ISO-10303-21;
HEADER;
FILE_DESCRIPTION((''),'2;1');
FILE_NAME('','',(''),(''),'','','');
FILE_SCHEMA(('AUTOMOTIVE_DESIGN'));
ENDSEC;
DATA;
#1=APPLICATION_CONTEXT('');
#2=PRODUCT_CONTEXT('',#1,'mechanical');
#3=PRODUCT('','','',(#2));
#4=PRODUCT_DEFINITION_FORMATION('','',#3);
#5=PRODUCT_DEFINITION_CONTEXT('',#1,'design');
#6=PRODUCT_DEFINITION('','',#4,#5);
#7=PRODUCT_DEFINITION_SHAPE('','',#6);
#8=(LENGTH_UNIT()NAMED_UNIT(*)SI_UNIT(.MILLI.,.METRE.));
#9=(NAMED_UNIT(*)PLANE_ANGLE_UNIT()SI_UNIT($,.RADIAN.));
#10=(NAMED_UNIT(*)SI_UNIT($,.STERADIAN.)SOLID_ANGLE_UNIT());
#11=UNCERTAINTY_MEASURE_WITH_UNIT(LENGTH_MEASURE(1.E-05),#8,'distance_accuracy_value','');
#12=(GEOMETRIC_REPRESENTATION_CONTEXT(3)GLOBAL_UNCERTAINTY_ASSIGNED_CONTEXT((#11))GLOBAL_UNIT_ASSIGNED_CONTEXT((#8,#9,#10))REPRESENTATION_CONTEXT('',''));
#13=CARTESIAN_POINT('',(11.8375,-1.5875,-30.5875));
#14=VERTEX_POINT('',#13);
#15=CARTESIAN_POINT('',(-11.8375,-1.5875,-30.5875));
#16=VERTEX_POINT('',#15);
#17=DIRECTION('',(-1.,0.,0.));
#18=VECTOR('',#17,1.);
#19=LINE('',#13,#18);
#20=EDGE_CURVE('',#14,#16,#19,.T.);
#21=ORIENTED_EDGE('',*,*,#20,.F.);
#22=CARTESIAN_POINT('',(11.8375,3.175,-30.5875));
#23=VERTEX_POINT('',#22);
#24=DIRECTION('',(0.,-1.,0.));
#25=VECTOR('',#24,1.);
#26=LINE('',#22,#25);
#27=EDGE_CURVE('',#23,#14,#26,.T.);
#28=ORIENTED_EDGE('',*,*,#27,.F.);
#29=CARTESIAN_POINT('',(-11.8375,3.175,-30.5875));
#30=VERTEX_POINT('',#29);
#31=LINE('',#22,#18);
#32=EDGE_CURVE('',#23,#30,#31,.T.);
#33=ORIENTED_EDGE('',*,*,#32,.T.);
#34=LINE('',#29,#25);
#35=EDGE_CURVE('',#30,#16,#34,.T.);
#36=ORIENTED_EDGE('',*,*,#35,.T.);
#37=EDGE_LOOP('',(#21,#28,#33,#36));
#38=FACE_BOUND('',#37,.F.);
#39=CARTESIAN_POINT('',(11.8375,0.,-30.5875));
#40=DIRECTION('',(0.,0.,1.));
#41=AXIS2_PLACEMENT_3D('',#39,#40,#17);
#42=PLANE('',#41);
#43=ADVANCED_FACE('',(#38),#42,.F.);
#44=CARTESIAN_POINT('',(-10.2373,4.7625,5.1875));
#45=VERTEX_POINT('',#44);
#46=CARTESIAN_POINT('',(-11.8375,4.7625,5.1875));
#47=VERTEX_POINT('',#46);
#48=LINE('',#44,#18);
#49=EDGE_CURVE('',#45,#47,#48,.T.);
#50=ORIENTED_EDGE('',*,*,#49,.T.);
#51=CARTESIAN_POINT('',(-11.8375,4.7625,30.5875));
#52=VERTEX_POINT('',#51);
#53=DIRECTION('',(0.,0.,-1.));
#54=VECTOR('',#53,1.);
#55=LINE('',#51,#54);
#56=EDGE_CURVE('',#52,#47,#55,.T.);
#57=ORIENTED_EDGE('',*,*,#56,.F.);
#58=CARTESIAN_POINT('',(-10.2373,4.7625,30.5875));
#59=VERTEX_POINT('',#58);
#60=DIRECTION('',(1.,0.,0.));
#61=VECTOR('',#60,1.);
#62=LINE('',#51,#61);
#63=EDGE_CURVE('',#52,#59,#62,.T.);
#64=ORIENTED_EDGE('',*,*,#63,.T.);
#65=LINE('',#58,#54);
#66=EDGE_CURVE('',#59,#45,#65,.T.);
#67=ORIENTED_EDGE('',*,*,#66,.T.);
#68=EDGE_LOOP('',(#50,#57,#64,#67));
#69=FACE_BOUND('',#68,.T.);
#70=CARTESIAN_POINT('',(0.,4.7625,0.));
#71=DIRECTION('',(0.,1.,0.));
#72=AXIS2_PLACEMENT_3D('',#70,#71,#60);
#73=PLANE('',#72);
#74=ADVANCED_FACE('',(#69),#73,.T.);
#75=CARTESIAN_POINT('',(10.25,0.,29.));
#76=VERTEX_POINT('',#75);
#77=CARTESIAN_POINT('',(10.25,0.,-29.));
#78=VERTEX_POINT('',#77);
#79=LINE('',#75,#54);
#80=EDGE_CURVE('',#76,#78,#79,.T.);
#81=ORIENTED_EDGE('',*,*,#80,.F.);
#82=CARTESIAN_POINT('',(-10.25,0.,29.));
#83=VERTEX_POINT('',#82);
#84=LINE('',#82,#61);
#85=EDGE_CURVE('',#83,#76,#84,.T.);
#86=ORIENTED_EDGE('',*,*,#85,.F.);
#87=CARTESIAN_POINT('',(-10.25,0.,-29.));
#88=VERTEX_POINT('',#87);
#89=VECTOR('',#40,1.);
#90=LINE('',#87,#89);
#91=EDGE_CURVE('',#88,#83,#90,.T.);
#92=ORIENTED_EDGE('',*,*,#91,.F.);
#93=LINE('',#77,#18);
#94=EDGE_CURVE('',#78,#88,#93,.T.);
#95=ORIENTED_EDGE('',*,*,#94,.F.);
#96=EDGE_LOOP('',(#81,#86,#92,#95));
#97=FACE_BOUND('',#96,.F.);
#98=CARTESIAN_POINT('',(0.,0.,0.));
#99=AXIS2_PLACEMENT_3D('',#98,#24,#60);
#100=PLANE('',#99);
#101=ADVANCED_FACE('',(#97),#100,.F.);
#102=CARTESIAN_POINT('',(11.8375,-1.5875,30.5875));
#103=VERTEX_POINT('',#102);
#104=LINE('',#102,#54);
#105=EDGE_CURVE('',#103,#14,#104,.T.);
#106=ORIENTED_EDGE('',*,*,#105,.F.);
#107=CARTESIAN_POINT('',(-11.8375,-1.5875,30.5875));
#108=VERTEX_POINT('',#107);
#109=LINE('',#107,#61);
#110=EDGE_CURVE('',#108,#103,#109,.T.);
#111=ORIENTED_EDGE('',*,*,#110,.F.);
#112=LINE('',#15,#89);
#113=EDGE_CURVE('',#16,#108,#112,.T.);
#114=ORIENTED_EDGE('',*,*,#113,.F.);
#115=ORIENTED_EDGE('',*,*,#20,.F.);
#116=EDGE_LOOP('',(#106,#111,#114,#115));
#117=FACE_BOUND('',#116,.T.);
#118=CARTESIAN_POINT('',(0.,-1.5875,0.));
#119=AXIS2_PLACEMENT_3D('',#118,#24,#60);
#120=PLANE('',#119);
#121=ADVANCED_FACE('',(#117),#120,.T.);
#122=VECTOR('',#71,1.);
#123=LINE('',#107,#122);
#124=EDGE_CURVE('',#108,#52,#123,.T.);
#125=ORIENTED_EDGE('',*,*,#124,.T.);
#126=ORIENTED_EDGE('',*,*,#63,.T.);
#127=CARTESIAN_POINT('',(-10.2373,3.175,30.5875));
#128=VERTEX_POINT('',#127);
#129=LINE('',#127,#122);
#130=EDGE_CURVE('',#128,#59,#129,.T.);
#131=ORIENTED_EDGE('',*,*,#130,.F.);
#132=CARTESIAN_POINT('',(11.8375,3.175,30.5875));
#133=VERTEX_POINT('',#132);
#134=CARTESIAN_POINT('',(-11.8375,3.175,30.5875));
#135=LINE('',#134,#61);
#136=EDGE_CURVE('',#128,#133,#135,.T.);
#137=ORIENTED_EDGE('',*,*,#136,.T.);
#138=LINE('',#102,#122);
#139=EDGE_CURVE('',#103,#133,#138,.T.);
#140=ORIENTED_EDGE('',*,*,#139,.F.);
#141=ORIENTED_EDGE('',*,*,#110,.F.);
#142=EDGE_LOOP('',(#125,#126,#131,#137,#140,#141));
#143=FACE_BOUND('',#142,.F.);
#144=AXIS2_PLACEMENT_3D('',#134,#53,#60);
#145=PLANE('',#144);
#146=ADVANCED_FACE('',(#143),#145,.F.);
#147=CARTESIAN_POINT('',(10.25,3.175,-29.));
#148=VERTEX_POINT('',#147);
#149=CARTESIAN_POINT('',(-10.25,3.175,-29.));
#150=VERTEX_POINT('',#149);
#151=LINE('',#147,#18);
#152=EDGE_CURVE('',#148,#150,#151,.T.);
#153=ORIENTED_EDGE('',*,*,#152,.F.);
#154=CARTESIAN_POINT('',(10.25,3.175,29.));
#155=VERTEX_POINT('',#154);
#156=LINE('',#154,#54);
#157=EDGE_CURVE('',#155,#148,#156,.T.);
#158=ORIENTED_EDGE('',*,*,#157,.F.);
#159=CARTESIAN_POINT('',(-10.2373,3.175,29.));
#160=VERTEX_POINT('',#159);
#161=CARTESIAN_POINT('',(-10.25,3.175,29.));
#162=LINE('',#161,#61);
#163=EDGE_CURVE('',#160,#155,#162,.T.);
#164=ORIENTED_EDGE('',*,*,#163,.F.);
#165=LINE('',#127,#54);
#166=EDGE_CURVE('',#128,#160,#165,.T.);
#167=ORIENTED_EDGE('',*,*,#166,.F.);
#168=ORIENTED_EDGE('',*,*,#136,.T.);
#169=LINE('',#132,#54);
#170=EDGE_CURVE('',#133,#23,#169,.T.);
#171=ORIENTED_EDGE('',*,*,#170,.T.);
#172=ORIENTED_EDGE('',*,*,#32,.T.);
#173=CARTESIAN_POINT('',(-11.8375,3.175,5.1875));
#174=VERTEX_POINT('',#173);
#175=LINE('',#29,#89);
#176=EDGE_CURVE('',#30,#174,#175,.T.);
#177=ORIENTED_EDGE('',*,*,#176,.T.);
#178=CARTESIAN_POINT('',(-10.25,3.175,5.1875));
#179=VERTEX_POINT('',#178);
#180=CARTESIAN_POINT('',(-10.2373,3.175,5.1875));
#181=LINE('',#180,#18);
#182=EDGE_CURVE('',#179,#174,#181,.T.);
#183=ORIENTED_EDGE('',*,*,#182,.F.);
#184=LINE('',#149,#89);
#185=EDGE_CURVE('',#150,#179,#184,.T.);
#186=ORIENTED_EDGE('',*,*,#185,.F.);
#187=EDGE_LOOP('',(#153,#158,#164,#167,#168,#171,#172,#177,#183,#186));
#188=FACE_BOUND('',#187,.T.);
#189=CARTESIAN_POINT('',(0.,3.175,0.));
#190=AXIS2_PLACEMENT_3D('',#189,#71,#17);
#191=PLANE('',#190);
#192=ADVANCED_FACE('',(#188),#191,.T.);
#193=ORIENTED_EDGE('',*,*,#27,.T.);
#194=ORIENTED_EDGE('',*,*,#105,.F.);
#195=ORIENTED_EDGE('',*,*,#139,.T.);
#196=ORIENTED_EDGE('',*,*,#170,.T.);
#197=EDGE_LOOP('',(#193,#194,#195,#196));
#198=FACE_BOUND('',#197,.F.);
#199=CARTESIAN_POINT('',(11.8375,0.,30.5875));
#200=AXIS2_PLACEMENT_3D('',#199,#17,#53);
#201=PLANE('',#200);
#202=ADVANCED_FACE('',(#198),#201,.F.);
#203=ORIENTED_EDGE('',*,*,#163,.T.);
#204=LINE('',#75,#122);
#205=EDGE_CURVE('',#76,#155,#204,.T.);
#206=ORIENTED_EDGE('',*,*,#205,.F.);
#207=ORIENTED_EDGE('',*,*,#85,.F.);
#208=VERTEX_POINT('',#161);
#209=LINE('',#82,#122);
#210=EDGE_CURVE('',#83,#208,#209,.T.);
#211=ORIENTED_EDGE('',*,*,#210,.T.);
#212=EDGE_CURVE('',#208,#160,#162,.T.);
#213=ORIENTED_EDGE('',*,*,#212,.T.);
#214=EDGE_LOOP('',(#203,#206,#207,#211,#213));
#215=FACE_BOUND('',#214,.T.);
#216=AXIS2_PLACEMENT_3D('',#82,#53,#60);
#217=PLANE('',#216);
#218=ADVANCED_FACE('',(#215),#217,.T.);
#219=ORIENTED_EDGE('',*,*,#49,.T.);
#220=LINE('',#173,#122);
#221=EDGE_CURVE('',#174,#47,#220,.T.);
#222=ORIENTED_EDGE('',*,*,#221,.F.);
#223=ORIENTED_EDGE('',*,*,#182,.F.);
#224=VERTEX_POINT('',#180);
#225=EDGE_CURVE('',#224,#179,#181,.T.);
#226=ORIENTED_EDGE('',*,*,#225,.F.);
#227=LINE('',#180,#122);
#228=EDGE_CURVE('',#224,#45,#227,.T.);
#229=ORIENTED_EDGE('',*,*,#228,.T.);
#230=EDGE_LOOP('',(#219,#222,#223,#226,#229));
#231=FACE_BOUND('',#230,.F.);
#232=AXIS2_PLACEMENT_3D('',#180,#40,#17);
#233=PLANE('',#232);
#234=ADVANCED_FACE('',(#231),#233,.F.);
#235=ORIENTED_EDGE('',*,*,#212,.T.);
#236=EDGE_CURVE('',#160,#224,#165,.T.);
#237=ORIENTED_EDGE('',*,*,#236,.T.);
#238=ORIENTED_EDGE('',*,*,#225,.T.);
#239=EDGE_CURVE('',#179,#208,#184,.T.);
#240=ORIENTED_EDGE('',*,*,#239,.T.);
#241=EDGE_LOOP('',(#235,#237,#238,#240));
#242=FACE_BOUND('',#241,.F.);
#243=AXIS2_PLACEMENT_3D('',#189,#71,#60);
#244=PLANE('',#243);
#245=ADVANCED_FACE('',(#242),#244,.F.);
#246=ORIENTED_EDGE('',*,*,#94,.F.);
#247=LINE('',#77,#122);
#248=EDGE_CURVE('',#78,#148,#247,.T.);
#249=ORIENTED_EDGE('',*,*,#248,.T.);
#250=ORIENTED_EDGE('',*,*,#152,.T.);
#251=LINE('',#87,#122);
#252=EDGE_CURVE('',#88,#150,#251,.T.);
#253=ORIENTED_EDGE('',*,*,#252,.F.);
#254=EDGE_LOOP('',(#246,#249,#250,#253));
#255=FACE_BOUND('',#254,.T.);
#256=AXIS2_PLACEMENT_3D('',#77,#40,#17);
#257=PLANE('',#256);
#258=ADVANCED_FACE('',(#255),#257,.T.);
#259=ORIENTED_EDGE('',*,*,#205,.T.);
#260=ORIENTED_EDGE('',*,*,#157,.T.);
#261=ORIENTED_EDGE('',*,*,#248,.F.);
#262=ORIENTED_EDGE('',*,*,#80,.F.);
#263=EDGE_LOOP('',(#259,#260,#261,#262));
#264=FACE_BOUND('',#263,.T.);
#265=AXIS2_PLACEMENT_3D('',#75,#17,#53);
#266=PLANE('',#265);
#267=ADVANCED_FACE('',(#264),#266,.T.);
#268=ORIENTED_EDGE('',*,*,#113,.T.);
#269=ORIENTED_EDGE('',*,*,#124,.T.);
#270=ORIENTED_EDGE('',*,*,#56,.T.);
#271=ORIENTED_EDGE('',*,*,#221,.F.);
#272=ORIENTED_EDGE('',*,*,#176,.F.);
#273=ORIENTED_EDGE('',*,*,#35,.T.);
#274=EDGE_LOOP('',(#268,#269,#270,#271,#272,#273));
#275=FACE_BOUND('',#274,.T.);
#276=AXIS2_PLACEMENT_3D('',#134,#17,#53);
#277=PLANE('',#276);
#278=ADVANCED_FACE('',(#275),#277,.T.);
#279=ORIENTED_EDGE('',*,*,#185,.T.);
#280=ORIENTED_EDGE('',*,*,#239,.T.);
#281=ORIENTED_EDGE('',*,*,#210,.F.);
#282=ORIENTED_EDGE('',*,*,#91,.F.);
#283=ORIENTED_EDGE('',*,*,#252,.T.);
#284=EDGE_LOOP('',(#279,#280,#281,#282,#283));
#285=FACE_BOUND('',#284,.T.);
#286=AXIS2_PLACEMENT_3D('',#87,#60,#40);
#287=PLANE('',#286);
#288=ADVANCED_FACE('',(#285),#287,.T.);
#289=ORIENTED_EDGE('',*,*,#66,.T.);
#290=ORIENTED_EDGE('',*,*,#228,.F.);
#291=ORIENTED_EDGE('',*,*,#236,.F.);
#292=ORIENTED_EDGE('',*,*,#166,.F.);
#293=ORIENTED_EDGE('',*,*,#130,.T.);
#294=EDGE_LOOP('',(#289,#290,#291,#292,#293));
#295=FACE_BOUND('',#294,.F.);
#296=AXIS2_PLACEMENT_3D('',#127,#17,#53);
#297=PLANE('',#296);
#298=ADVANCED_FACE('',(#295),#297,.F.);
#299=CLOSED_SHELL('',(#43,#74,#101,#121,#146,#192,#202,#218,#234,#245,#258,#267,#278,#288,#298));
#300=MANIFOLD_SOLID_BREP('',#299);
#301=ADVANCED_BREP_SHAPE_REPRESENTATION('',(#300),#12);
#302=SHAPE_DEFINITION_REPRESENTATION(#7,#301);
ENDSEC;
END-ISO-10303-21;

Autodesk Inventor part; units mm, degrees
ref_plane "YZ Plane" through (0, 0, 0) normal (1, 0, 0) x (0, 1, 0)
ref_plane "XZ Plane" through (0, 0, 0) normal (0, 1, 0) x (-1, 0, 0)
ref_plane "XY Plane" through (0, 0, 0) normal (0, 0, 1) x (1, 0, 0)
sketch "Sketch1" plane through (0, 0, 0) normal (0, 1, 0) x (-1, 0, 0)
  line L0 (10.25, 29) -> (-10.25, 29)
  line L1 (-10.25, 29) -> (-10.25, -29)
  line L2 (-10.25, -29) -> (10.25, -29)
  line L3 (10.25, -29) -> (10.25, 29)
  line L4 (11.8375, 30.5875) -> (-11.8375, 30.5875)
  line L5 (-11.8375, 30.5875) -> (-11.8375, -30.5875)
  line L6 (-11.8375, -30.5875) -> (11.8375, -30.5875)
  line L7 (11.8375, -30.5875) -> (11.8375, 30.5875)
  point P0 (0, 0)
  dimension "d0" = 20.5
  dimension "d1" = 1.5875
  dimension "d2" = 1.5875
  dimension "d3" = 1.5875
  dimension "d4" = 1.5875
  dimension "d5" = 58
  dimension "d6" = 29
  dimension "d7" = 10.25
extrude "Extrusion1" add sketch "Sketch1" along normal blind 3.175
sketch "Sketch2" plane through (0, 0, 0) normal (0, -1, 0) x (1, 0, 0)
  line L0 (-10.25, -29) -> (-10.25, 29) construction
  line L1 (-10.25, 29) -> (10.25, 29) construction
  line L2 (10.25, 29) -> (10.25, -29) construction
  line L3 (10.25, -29) -> (-10.25, -29) construction
  line L4 (-11.8375, 30.5875) -> (11.8375, 30.5875) projected
  line L5 (-11.8375, -30.5875) -> (-11.8375, 30.5875) projected
  line L6 (11.8375, -30.5875) -> (-11.8375, -30.5875) projected
  line L7 (11.8375, 30.5875) -> (11.8375, -30.5875) projected
  point P0 (0, 0)
extrude "Extrusion2" add sketch "Sketch2" along normal blind 1.5875
sketch "Sketch3" plane through (0, 3.175, 0) normal (0, 1, 0) x (1, 0, 0)
  line L0 (11.8375, 30.5875) -> (11.8375, -30.5875) projected
  line L1 (10.25, -29) -> (10.25, 29) projected
  line L2 (-11.8375, -30.5875) -> (-11.8375, 30.5875) projected
  line L3 (-11.8375, -30.5875) -> (-10.2373, -30.5875)
  line L4 (-10.2373, -30.5875) -> (-10.2373, -5.1875)
  line L5 (-10.2373, -5.1875) -> (-11.8375, -5.1875)
  line L6 (-11.8375, -5.1875) -> (-11.8375, -30.5875)
  point P0 (0, 0)
  dimension "d13" = 1.6002
  dimension "d14" = 25.4
extrude "Extrusion3" add sketch "Sketch3" along normal blind 1.5875
equation "\"d2\" = d1"
equation "\"d3\" = d2"
equation "\"d4\" = d3"
equation "\"d6\" = 0.5 * d5"
equation "\"d7\" = 0.5 * d0"
properties part number "Camera Platform" material "Aluminum 6061"
